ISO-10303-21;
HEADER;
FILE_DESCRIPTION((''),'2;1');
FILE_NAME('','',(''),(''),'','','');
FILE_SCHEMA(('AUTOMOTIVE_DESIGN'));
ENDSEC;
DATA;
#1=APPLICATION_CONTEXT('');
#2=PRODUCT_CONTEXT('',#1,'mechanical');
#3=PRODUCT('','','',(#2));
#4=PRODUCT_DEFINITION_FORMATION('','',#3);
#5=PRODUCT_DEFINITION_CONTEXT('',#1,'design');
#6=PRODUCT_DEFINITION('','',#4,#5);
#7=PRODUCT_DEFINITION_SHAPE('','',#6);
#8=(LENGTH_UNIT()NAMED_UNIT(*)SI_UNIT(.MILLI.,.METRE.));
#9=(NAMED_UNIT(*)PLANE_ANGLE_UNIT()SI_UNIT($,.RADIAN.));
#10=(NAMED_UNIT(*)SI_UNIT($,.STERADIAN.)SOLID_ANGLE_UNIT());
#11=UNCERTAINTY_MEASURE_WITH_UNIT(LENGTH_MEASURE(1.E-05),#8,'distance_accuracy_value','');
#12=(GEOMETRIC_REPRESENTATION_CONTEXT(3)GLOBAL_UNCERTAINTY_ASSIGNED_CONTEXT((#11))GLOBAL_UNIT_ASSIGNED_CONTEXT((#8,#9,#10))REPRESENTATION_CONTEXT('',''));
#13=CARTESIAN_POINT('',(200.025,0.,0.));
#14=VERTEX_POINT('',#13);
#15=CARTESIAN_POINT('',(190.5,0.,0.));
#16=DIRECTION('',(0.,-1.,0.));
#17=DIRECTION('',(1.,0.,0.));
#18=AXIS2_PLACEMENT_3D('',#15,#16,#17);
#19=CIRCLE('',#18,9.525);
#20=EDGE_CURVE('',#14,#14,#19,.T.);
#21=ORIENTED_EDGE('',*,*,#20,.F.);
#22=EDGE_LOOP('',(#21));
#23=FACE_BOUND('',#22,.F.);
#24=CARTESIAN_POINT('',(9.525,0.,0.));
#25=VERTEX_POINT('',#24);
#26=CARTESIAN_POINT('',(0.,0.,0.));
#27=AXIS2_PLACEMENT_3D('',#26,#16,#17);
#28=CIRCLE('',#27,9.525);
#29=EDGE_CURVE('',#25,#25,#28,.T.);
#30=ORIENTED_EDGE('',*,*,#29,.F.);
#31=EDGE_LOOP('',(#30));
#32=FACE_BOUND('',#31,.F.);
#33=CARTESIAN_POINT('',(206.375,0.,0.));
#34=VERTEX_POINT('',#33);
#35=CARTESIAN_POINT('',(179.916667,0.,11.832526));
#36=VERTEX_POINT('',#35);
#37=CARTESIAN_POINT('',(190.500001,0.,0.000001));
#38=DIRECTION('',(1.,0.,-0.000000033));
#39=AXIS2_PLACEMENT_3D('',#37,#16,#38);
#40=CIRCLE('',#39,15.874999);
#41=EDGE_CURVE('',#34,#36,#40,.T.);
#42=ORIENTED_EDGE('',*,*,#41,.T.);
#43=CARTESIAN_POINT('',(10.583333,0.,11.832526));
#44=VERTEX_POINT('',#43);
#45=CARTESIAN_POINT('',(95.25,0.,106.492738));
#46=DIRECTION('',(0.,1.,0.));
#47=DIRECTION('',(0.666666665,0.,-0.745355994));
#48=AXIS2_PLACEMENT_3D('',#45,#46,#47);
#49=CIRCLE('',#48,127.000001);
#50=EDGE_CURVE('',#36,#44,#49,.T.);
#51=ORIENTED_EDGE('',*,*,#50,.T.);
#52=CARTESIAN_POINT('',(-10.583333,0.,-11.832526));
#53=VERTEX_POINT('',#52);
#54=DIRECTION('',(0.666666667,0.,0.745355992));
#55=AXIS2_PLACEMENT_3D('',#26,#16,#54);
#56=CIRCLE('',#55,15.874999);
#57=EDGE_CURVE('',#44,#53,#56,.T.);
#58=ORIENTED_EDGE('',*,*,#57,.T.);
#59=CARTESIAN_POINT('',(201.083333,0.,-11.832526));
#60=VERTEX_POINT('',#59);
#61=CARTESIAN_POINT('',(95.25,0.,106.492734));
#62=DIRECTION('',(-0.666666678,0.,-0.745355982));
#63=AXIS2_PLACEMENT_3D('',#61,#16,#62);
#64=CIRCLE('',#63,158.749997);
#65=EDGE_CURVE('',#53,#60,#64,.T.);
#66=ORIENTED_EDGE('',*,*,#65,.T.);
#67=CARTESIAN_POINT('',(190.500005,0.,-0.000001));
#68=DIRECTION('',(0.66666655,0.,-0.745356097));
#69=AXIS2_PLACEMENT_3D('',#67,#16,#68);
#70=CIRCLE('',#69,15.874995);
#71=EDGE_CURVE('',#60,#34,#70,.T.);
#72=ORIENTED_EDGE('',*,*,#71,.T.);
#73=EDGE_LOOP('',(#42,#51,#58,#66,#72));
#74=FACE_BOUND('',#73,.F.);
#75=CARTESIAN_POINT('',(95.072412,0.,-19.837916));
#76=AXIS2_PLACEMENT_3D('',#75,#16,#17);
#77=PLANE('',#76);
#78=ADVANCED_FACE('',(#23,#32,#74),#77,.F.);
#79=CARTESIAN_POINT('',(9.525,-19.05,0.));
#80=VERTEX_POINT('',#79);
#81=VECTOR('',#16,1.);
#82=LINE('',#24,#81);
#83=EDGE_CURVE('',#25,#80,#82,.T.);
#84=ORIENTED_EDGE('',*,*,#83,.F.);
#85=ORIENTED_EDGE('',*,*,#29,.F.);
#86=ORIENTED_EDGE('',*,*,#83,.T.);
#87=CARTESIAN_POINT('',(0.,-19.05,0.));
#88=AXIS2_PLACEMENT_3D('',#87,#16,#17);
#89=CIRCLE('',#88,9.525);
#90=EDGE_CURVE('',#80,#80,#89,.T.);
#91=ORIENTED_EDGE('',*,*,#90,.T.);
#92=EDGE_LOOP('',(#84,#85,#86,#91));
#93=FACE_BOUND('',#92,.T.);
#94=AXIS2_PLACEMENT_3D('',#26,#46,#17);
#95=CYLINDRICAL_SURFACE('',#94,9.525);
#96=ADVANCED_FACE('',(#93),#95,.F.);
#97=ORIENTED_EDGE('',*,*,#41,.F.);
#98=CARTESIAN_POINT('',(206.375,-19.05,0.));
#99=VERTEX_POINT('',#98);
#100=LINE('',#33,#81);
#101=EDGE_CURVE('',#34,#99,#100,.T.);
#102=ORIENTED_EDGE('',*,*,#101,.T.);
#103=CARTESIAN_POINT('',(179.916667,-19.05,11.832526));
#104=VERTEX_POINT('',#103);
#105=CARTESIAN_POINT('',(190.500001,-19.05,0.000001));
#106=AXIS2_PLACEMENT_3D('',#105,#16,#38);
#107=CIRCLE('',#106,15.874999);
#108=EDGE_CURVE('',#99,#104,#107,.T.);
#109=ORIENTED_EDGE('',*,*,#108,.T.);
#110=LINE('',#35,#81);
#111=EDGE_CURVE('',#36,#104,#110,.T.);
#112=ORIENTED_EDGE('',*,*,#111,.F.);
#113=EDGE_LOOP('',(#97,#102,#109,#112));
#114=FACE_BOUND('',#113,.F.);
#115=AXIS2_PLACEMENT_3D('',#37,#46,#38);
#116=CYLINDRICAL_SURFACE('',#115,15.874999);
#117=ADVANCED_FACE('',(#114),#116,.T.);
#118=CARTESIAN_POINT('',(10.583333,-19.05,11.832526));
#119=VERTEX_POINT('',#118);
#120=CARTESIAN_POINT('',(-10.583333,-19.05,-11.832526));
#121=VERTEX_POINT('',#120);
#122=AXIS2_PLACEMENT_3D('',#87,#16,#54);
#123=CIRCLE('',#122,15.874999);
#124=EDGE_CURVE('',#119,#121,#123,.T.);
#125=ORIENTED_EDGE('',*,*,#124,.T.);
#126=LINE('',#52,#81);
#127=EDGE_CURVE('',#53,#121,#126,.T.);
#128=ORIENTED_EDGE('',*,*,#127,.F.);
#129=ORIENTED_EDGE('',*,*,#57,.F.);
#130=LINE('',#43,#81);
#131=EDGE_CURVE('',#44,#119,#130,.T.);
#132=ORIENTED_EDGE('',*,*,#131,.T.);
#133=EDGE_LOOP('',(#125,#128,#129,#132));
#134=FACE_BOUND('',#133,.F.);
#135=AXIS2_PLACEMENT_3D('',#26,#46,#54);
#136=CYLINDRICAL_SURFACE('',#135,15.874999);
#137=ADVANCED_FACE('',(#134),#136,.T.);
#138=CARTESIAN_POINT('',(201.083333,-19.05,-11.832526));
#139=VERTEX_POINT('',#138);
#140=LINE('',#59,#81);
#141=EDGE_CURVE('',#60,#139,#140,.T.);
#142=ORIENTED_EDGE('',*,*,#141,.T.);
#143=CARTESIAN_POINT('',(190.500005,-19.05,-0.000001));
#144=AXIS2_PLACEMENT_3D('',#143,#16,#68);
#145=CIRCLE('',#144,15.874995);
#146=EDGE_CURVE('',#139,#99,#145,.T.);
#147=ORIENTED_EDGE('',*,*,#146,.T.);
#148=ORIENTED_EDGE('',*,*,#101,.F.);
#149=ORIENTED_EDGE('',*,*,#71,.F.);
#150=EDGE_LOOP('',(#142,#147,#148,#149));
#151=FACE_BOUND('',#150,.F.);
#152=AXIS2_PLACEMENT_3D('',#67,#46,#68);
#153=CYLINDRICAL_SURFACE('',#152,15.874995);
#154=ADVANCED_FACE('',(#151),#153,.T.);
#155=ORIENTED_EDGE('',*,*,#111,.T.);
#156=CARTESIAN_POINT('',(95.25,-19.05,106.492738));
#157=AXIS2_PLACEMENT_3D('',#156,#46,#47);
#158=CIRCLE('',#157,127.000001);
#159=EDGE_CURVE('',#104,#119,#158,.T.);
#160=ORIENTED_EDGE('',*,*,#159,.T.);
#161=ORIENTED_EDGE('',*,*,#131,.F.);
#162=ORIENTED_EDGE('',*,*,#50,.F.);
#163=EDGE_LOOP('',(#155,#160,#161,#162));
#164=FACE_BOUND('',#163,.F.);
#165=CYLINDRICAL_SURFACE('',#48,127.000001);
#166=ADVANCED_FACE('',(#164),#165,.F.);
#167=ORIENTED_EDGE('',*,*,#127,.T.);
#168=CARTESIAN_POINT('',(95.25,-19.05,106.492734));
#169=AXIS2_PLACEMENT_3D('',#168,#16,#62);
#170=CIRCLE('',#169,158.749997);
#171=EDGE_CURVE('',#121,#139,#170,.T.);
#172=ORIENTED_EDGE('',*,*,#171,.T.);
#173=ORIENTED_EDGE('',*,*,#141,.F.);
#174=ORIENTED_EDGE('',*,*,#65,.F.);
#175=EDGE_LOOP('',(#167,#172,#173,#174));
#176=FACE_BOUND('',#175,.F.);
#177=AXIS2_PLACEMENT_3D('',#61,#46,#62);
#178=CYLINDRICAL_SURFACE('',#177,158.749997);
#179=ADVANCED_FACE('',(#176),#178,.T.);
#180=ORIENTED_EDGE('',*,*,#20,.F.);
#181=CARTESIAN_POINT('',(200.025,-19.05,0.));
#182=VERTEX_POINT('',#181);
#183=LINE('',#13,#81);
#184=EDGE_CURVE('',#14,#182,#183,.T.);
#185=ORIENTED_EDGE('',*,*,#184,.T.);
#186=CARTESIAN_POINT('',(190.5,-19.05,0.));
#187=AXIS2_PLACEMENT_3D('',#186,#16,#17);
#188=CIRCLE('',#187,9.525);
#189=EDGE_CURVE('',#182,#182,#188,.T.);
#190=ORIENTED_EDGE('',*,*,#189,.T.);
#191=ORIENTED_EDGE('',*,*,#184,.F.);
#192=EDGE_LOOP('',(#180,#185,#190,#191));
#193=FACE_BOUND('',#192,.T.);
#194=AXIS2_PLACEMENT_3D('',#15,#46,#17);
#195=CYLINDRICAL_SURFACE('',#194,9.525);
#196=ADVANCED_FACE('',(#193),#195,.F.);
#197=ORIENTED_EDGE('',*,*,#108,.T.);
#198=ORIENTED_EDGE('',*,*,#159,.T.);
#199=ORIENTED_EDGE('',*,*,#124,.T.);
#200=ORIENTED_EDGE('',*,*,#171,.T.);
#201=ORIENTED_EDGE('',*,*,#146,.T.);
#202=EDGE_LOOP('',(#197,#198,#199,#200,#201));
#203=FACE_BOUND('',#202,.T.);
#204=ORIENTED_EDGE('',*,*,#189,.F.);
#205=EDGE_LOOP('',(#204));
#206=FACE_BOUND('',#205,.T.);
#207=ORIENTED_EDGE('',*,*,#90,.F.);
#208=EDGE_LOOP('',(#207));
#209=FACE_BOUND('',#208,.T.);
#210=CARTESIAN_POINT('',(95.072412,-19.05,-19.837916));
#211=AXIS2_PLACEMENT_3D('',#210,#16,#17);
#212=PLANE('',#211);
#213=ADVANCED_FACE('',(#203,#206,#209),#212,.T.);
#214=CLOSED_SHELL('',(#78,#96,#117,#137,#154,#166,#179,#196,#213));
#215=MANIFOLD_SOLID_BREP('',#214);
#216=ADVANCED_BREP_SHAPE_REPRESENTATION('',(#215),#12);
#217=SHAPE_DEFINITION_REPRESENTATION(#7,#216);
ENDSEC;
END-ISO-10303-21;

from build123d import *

# Parameters (mm, degrees)
F0_R     = 9.525
F1_DEPTH = 19.05


with BuildPart() as f1:
    # F0 (on Front) → F1 (new body)
    with BuildSketch(Plane.XZ):
        with BuildLine():
            ThreePointArc((10.583333, 11.832526), (14.491826, 6.480942), (15.875, 0))
            ThreePointArc((15.875, 0), (6.480942, -14.491826), (-10.583333, -11.832526))
            ThreePointArc((-10.583333, -11.832526), (95.25, -52.257263), (201.083333, -11.832526))
            ThreePointArc((201.083333, -11.832526), (178.667474, -10.583333), (179.916667, 11.832526))
            ThreePointArc((179.916667, 11.832526), (95.25, -20.507263), (10.583333, 11.832526))
        make_face()
        with BuildLine():
            ThreePointArc((-10.583333, -11.832526), (6.480942, -14.491826), (15.875, 0))
            ThreePointArc((15.875, 0), (14.491826, 6.480942), (10.583333, 11.832526))
            ThreePointArc((10.583333, 11.832526), (-11.832526, 10.583333), (-10.583333, -11.832526))
        make_face()
        Circle(F0_R, mode=Mode.SUBTRACT)
        with BuildLine():
            ThreePointArc((206.375, 0), (196.980942, 14.491826), (179.916667, 11.832526))
            ThreePointArc((179.916667, 11.832526), (178.667474, -10.583333), (201.083333, -11.832526))
            ThreePointArc((201.083333, -11.832526), (204.991826, -6.480942), (206.375, 0))
        make_face()
        with Locations((190.5, 0)):
            Circle(F0_R, mode=Mode.SUBTRACT)
    extrude(amount=F1_DEPTH)


solid = f1.part
